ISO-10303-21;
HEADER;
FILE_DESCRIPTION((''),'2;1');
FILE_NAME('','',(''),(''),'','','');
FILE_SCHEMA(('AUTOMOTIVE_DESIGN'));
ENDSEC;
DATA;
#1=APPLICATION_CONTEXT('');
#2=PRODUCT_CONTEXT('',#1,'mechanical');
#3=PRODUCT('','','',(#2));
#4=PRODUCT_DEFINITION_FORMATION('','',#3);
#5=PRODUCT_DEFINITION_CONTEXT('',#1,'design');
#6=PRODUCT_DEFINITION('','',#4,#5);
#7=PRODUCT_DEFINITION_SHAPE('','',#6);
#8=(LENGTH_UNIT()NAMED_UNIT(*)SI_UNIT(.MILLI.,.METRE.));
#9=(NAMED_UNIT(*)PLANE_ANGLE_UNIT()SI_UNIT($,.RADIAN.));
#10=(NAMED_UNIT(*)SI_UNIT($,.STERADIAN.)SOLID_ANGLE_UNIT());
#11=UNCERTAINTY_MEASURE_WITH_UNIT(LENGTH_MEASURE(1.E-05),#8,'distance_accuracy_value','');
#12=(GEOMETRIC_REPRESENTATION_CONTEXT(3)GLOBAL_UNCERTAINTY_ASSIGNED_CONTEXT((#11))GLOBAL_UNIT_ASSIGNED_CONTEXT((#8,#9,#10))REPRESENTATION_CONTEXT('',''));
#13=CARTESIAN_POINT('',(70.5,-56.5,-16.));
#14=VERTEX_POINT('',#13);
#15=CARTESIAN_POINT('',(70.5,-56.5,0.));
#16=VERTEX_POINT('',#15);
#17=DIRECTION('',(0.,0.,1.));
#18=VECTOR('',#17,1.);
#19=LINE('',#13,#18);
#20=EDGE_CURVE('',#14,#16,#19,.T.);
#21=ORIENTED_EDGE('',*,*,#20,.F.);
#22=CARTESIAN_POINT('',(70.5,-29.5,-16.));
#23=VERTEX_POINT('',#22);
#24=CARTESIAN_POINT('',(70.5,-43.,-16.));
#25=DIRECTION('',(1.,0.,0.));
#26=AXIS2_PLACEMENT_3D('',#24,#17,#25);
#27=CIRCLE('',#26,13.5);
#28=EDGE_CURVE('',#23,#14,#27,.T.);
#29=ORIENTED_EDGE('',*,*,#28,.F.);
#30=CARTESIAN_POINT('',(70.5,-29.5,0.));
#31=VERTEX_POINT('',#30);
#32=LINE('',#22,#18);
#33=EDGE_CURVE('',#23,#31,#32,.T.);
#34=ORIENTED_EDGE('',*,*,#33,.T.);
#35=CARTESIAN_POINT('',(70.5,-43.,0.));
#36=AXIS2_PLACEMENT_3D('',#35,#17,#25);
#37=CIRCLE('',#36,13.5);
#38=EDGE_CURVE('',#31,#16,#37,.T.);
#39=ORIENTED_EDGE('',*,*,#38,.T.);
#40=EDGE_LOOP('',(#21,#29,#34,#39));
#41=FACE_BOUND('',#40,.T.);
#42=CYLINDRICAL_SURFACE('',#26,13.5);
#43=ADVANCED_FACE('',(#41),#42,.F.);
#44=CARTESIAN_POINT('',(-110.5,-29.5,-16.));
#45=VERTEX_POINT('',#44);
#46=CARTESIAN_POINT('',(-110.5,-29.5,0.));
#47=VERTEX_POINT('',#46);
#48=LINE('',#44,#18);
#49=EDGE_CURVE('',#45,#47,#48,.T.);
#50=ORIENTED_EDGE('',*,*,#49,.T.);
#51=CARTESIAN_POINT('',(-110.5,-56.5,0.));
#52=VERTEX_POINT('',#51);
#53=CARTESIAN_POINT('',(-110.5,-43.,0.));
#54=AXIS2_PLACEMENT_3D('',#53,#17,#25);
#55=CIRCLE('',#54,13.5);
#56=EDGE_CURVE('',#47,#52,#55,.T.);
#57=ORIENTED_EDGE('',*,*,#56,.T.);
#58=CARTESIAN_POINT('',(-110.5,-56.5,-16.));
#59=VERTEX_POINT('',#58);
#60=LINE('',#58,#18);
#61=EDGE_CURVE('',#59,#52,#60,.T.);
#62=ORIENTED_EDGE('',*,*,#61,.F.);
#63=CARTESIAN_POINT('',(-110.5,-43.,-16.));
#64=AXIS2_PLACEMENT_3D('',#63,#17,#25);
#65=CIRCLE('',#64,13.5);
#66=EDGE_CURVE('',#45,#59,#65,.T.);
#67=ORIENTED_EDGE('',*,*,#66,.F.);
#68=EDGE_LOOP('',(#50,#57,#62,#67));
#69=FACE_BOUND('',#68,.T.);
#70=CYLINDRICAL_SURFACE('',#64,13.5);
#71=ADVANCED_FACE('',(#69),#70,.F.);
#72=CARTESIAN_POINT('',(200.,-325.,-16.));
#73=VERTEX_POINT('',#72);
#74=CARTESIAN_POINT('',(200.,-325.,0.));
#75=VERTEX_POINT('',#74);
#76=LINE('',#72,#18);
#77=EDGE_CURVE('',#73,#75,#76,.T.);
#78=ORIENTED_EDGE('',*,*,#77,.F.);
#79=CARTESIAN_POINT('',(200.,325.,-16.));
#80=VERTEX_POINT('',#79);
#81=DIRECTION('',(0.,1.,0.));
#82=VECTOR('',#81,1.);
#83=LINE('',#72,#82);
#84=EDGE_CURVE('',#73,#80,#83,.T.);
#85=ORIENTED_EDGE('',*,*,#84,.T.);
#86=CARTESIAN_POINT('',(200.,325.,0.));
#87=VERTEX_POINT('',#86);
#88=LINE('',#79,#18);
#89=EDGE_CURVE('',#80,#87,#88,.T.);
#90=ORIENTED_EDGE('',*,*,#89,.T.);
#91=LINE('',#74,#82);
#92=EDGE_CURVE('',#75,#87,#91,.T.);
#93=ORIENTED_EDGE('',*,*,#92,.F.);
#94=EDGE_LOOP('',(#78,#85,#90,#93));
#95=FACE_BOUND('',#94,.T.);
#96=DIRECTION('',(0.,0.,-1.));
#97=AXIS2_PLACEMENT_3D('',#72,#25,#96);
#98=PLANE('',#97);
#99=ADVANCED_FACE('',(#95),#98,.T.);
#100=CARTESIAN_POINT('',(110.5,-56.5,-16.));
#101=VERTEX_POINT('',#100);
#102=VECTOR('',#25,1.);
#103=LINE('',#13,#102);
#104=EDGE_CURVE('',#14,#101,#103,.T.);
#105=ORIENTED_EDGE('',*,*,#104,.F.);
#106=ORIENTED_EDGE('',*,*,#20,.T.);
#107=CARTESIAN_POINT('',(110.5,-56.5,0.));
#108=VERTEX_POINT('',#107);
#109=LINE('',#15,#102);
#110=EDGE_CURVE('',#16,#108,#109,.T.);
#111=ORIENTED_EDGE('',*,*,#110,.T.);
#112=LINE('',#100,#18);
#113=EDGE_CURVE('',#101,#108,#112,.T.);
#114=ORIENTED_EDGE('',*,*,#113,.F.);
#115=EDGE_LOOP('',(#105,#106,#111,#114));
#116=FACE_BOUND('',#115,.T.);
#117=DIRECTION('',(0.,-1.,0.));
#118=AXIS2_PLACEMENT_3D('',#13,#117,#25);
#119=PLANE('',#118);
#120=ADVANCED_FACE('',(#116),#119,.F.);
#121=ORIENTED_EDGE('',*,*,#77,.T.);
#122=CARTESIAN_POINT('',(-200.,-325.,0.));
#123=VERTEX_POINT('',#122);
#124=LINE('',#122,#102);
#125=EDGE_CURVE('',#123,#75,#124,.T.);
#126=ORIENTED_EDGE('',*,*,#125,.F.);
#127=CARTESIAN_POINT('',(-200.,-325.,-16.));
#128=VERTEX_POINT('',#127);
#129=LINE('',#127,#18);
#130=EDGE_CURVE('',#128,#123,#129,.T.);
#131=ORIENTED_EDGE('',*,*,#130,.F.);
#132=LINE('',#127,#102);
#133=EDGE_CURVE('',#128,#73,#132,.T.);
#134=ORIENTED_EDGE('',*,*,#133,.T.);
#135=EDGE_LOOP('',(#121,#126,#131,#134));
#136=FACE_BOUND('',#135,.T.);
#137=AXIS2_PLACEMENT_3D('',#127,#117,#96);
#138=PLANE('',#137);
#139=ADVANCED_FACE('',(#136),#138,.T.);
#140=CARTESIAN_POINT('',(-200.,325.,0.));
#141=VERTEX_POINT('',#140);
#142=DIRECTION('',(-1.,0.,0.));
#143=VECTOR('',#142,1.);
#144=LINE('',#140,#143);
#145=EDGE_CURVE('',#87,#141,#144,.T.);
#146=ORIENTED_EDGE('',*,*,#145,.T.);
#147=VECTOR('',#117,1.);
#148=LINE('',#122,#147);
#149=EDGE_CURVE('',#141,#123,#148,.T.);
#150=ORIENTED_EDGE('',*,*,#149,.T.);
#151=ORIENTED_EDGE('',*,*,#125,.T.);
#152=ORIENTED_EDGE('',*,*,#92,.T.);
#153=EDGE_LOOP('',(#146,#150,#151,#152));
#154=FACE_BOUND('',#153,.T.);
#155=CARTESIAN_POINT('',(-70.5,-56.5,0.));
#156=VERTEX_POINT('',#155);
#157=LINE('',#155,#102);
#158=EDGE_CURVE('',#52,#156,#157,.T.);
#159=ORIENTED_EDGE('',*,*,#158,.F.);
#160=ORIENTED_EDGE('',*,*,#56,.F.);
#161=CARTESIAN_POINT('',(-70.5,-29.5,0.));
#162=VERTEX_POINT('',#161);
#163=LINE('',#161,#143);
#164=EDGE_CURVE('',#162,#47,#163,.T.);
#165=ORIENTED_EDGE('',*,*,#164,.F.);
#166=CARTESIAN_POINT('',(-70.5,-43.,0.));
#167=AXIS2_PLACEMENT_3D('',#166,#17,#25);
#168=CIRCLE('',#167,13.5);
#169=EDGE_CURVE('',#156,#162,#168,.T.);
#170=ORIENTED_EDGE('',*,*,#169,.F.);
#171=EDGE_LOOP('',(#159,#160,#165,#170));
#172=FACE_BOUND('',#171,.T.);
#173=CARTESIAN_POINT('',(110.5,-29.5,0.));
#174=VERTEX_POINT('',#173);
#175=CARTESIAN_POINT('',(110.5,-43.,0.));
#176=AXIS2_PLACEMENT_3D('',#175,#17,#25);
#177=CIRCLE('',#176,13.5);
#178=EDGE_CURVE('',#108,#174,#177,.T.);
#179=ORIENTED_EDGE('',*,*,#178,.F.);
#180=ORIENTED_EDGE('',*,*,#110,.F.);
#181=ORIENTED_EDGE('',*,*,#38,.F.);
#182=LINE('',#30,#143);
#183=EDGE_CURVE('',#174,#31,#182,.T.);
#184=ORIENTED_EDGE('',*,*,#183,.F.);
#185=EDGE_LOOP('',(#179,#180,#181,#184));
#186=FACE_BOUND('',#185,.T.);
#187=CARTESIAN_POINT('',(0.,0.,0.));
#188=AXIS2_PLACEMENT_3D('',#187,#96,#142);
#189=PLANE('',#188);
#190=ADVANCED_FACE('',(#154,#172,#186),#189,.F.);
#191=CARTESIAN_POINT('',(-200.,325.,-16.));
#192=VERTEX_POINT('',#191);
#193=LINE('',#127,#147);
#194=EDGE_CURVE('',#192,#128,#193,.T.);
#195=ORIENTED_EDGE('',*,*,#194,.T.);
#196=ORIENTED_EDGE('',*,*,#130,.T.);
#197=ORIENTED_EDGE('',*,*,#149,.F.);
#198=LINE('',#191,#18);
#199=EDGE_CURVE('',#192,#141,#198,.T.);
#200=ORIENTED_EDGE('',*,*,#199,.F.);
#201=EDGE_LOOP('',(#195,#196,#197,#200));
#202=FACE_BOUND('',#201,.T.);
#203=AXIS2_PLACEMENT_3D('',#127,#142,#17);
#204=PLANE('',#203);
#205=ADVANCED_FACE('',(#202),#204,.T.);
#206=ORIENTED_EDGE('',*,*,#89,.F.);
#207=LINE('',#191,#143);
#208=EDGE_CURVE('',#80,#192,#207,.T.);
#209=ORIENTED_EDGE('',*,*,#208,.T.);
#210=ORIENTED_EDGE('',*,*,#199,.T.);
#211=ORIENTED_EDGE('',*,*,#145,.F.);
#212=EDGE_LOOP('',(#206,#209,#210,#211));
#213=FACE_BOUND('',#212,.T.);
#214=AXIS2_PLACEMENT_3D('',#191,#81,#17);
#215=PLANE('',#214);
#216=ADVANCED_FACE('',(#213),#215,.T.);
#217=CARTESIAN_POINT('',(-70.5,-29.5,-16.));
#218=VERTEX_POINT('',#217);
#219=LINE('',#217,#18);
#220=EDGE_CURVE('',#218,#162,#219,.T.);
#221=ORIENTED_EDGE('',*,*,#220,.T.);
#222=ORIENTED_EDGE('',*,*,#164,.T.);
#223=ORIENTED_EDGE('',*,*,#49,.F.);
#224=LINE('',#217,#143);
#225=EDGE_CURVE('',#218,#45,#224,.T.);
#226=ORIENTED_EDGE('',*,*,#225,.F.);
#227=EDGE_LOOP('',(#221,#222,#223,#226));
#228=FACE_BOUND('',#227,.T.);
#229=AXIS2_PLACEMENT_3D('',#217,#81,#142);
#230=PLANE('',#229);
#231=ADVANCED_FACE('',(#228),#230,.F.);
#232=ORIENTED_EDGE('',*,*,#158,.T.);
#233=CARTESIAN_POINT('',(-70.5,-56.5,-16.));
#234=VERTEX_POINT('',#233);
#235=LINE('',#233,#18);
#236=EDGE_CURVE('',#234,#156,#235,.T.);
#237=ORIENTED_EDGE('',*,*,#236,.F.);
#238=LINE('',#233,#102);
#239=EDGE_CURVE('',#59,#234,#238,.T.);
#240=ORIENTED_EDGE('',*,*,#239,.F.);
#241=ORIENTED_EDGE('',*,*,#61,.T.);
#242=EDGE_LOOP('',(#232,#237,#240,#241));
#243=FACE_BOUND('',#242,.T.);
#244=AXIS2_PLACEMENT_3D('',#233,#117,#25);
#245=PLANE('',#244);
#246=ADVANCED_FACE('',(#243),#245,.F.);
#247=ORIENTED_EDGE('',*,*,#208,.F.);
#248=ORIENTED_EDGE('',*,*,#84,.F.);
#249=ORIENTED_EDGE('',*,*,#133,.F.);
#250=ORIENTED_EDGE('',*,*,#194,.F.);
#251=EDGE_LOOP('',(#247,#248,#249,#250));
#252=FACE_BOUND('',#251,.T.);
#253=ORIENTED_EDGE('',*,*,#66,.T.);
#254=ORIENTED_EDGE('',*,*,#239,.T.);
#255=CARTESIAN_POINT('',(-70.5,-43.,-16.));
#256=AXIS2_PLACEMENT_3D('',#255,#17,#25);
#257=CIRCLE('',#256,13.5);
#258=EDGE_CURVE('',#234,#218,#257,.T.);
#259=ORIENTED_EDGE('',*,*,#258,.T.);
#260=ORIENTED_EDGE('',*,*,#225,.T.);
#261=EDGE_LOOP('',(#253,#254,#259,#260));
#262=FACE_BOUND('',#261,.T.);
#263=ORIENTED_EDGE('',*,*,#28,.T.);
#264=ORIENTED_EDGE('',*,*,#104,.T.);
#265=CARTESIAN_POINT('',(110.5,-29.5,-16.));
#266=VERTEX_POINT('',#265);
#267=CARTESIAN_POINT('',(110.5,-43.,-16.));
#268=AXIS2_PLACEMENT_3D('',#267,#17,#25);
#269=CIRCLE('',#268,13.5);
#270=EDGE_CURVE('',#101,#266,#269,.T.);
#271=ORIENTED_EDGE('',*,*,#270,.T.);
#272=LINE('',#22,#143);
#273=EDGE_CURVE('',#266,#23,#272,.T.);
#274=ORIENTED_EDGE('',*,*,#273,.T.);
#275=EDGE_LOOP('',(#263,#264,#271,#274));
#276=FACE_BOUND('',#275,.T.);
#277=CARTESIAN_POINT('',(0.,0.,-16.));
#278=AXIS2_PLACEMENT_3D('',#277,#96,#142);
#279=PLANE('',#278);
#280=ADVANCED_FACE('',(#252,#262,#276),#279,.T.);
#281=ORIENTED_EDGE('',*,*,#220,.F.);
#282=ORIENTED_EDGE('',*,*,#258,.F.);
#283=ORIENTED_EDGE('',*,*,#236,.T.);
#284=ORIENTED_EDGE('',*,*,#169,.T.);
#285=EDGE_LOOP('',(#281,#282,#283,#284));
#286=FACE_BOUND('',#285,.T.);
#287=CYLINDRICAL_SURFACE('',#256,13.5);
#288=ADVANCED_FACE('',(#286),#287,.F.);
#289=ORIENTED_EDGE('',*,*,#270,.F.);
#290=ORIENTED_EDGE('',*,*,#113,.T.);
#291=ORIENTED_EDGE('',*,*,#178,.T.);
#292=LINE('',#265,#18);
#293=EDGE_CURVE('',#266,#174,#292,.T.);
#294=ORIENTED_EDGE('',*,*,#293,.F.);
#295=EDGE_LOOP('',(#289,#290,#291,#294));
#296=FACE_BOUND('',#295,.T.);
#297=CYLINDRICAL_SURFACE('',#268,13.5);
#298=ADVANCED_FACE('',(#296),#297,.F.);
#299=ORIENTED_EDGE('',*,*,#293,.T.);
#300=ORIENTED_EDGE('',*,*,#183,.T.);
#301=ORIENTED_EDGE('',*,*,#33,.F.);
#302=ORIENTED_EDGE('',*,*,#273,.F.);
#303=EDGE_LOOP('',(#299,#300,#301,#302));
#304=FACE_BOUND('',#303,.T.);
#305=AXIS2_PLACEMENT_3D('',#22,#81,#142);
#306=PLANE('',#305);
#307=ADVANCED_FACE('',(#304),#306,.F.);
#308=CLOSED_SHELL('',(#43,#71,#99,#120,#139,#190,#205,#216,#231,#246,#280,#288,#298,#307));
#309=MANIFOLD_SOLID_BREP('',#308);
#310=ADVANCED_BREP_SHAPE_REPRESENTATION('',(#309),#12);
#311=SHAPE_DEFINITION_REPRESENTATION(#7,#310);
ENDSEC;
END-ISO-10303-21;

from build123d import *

# Parameters (mm, degrees)
SKETCH_1_W          = 400
SKETCH_1_H          = 650
EXTRUDE_1_DEPTH     = 16
CUT_EXTRUDE_1_DEPTH = 382.943713131


with BuildPart() as part:
    # 草图1 → 凸台-拉伸1 (new body)
    with BuildSketch(Plane.XY):
        Rectangle(SKETCH_1_W, SKETCH_1_H)
    extrude(amount=-EXTRUDE_1_DEPTH)

    # 草图2 → 切除-拉伸1 (cut, through all)
    with BuildSketch(Plane.XY):
        with BuildLine():
            Line((70.5, -29.5), (110.5, -29.5))
            ThreePointArc((110.5, -29.5), (124, -43), (110.5, -56.5))
            Line((110.5, -56.5), (70.5, -56.5))
            ThreePointArc((70.5, -56.5), (57, -43), (70.5, -29.5))
        make_face()
        with BuildLine():
            Line((-70.5, -56.5), (-110.5, -56.5))
            ThreePointArc((-110.5, -56.5), (-124, -43), (-110.5, -29.5))
            Line((-110.5, -29.5), (-70.5, -29.5))
            ThreePointArc((-70.5, -29.5), (-57, -43), (-70.5, -56.5))
        make_face()
    extrude(amount=-CUT_EXTRUDE_1_DEPTH, mode=Mode.SUBTRACT)


solid = part.part
